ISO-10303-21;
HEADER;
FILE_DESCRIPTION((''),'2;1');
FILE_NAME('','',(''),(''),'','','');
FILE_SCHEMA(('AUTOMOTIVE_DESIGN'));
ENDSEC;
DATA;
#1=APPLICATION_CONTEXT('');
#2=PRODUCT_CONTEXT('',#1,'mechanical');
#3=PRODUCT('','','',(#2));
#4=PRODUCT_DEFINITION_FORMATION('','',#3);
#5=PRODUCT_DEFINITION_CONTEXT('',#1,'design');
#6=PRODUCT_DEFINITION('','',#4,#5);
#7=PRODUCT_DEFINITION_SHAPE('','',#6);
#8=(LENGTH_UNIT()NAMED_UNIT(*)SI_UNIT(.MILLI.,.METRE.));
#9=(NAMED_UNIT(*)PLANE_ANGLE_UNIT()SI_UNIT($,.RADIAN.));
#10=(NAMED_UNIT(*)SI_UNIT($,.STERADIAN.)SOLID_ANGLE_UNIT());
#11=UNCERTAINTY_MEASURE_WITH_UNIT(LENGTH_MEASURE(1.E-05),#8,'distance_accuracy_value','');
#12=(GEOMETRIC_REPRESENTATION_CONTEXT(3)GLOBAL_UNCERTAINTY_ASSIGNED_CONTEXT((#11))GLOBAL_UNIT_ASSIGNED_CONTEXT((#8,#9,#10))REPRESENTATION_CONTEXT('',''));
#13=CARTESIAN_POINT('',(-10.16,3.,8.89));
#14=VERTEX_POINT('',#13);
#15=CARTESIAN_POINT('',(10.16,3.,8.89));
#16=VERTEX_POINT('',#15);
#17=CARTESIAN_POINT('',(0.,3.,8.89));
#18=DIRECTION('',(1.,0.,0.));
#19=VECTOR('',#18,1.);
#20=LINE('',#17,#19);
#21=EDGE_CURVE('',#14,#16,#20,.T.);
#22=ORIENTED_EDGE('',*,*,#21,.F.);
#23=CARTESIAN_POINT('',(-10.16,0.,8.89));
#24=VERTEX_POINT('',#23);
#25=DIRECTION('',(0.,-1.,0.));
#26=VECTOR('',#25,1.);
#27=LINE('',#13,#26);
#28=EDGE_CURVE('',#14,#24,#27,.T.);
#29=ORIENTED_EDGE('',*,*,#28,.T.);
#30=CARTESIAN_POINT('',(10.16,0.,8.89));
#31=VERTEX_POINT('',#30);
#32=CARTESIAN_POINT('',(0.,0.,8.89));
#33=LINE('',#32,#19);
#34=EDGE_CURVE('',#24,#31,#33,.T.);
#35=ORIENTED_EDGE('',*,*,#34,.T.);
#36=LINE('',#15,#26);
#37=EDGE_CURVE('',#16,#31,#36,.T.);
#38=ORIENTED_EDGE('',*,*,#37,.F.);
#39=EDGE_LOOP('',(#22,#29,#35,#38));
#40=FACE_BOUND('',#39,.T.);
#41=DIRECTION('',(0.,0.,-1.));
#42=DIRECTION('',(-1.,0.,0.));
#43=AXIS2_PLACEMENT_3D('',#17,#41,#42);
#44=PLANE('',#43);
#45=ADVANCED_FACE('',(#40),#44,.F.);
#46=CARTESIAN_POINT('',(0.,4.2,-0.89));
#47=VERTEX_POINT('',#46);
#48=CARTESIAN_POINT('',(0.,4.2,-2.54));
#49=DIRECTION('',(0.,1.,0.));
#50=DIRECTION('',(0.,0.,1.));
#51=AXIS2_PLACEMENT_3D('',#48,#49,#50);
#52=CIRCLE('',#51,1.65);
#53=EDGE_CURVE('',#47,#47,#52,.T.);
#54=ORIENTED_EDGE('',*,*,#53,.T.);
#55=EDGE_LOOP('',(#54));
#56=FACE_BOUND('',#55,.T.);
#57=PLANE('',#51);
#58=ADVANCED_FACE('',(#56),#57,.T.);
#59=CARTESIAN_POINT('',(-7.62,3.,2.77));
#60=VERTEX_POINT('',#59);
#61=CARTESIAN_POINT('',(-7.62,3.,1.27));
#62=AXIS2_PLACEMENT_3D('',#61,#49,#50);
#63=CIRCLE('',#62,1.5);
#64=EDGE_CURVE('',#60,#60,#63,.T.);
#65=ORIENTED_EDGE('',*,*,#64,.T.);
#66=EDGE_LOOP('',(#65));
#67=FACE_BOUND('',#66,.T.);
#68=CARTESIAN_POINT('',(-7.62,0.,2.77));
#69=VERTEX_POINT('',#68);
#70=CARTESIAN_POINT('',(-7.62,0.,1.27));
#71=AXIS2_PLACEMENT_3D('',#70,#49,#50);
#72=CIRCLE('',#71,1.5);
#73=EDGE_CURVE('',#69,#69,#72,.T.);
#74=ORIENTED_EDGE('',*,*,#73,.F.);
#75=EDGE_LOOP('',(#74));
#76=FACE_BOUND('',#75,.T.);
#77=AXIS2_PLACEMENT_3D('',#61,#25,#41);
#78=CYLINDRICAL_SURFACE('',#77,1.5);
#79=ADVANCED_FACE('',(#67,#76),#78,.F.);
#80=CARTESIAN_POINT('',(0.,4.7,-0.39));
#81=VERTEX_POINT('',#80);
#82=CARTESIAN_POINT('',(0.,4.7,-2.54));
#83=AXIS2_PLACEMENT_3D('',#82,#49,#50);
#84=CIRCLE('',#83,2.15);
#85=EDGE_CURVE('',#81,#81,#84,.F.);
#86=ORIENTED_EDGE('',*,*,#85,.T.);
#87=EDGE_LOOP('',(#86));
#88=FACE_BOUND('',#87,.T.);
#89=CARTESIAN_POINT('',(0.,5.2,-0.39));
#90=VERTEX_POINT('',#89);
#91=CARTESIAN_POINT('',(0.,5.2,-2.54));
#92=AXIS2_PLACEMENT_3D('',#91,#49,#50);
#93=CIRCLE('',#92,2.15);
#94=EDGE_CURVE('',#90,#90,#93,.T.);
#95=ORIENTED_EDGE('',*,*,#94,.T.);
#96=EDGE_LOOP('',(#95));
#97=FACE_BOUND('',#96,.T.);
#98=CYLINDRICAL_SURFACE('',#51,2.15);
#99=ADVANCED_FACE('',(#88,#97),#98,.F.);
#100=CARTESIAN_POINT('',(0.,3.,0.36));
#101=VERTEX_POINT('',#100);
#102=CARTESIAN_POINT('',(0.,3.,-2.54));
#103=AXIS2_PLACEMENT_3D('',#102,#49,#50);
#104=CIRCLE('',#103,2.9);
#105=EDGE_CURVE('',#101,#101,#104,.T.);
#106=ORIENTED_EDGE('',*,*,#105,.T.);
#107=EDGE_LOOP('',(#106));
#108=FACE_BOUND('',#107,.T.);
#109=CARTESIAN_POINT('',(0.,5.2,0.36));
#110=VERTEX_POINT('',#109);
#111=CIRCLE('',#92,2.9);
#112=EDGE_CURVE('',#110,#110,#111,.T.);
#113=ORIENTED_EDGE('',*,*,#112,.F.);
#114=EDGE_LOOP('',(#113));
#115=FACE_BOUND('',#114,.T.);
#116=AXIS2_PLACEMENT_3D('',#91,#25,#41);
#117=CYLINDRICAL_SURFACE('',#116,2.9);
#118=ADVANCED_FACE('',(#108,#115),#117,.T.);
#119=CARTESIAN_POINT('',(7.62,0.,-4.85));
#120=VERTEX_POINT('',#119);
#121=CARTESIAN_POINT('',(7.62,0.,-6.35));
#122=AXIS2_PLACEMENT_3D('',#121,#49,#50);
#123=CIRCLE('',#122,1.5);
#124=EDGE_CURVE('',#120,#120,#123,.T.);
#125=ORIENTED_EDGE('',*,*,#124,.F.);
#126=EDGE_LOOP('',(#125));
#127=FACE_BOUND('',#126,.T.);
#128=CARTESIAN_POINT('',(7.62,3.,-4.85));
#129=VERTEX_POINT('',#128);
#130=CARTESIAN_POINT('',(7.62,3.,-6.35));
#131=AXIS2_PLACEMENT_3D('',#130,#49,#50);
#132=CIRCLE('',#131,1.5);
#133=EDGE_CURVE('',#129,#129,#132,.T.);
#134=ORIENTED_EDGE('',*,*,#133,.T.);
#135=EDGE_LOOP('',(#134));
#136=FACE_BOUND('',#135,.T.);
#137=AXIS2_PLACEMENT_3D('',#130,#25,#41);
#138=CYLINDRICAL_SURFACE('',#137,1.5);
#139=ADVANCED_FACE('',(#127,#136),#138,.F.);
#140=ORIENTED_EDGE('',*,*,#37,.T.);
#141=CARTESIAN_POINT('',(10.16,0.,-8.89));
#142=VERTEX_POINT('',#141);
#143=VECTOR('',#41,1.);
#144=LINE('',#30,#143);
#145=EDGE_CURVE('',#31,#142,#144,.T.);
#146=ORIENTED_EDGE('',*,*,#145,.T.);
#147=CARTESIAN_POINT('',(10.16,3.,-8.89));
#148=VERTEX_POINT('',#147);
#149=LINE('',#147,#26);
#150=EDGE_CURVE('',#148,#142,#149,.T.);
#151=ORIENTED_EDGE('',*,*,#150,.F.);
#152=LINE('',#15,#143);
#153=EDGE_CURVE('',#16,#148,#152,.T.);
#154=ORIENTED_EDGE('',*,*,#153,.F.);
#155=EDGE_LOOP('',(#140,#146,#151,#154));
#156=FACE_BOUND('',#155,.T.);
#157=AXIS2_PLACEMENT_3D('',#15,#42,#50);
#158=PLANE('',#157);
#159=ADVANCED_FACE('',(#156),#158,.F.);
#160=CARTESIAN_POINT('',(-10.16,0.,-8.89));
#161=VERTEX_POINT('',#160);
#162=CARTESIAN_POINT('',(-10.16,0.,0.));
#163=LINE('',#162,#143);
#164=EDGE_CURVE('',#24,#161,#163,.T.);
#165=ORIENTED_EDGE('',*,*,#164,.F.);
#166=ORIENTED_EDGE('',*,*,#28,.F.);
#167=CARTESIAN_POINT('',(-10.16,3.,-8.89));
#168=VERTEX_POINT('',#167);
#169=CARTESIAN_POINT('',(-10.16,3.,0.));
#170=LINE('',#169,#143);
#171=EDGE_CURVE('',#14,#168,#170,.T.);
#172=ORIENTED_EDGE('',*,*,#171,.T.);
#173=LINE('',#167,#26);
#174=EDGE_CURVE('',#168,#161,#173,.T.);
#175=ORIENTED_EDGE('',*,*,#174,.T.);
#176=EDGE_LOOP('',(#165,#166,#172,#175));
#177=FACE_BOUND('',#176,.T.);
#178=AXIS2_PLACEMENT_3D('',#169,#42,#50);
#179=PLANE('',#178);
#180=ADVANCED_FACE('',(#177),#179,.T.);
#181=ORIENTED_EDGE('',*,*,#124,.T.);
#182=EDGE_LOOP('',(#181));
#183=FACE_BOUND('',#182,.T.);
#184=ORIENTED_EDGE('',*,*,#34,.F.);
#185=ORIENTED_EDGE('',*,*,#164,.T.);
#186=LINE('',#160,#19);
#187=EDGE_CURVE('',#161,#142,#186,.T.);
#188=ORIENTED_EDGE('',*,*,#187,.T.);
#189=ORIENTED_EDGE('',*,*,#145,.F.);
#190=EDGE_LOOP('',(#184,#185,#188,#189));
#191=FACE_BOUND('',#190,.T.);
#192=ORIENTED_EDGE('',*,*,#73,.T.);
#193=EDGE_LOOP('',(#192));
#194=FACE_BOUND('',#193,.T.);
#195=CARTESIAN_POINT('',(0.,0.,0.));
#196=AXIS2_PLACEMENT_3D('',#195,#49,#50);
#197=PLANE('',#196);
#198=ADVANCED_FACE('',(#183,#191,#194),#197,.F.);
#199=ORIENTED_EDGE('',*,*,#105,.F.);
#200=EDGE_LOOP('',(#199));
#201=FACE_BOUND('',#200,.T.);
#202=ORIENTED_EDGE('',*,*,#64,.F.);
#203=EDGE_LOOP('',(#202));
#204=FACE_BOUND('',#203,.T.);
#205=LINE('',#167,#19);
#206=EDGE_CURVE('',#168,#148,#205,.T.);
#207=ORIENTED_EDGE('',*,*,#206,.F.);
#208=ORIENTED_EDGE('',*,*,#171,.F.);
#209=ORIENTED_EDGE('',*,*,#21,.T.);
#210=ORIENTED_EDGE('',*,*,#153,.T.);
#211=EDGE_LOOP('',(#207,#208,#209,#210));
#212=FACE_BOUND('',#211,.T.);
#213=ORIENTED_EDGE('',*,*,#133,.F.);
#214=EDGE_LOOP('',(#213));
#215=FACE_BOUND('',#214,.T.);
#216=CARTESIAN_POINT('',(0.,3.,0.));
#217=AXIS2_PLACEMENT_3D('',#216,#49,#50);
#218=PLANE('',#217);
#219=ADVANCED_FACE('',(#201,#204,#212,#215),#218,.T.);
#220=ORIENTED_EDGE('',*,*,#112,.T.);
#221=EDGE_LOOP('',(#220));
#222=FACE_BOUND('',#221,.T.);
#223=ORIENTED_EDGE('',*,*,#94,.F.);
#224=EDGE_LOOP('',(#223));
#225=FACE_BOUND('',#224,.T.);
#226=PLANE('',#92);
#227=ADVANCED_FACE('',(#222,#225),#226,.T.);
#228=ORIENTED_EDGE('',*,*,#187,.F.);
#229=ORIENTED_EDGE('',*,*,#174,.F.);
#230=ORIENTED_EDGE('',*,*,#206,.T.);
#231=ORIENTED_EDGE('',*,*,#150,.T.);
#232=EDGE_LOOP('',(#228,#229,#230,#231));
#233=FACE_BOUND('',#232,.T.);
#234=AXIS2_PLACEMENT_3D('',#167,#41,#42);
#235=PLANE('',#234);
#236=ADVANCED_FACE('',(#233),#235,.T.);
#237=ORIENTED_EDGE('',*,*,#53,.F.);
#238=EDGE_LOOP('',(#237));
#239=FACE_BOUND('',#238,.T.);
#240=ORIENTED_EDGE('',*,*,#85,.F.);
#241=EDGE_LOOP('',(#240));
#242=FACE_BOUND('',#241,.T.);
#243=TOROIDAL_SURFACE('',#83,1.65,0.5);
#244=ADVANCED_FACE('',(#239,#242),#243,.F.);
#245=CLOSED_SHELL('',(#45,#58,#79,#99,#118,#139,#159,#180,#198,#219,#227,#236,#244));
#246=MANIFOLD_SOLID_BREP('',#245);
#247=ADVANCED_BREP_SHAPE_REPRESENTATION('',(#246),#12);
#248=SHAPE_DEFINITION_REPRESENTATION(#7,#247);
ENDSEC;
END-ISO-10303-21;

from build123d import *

# Parameters (mm, degrees)
SKETCH2_W           = 20.32
SKETCH2_H           = 17.78
SKETCH2_R           = 1.5
BOSS_EXTRUDE1_DEPTH = 3
SKETCH3_R           = 2.9
BOSS_EXTRUDE2_DEPTH = 2.2
SKETCH4_R           = 2.15
CUT_EXTRUDE1_DEPTH  = 1
FILLET2_R           = 0.5


with BuildPart() as part:
    # Sketch2 → Boss-Extrude1 (new body)
    with BuildSketch(Plane(origin=(0, 0, 0), x_dir=(1, 0, 0), z_dir=(0, 1, 0))):
        Rectangle(SKETCH2_W, SKETCH2_H)
        with Locations(Location((7.62, 6.35, 0), (0, 0, 270))):
            Circle(SKETCH2_R, mode=Mode.SUBTRACT)
        with Locations(Location((-7.62, -1.27, 0), (0, 0, 270))):
            Circle(SKETCH2_R, mode=Mode.SUBTRACT)
    extrude(amount=BOSS_EXTRUDE1_DEPTH)

    # Sketch3 → Boss-Extrude2 (add)
    with BuildSketch(Plane(origin=(0, 3, 0), x_dir=(1, 0, 0), z_dir=(0, 1, 0))):
        with Locations(Location((0, 2.54, 0), (0, 0, 270))):
            Circle(SKETCH3_R)
    extrude(amount=BOSS_EXTRUDE2_DEPTH)

    # Sketch4 → Cut-Extrude1 (cut)
    with BuildSketch(Plane(origin=(0, 5.2, 0), x_dir=(1, 0, 0), z_dir=(0, 1, 0))):
        with Locations(Location((0, 2.54, 0), (0, 0, 270))):
            Circle(SKETCH4_R)
    extrude(amount=-CUT_EXTRUDE1_DEPTH, mode=Mode.SUBTRACT)

    # Fillet2
    fillet2_edges = [part.edges().sort_by_distance(p)[0] for p in [
        (0, 4.2, -4.69),
    ]]
    fillet(fillet2_edges, radius=FILLET2_R)


solid = part.part
